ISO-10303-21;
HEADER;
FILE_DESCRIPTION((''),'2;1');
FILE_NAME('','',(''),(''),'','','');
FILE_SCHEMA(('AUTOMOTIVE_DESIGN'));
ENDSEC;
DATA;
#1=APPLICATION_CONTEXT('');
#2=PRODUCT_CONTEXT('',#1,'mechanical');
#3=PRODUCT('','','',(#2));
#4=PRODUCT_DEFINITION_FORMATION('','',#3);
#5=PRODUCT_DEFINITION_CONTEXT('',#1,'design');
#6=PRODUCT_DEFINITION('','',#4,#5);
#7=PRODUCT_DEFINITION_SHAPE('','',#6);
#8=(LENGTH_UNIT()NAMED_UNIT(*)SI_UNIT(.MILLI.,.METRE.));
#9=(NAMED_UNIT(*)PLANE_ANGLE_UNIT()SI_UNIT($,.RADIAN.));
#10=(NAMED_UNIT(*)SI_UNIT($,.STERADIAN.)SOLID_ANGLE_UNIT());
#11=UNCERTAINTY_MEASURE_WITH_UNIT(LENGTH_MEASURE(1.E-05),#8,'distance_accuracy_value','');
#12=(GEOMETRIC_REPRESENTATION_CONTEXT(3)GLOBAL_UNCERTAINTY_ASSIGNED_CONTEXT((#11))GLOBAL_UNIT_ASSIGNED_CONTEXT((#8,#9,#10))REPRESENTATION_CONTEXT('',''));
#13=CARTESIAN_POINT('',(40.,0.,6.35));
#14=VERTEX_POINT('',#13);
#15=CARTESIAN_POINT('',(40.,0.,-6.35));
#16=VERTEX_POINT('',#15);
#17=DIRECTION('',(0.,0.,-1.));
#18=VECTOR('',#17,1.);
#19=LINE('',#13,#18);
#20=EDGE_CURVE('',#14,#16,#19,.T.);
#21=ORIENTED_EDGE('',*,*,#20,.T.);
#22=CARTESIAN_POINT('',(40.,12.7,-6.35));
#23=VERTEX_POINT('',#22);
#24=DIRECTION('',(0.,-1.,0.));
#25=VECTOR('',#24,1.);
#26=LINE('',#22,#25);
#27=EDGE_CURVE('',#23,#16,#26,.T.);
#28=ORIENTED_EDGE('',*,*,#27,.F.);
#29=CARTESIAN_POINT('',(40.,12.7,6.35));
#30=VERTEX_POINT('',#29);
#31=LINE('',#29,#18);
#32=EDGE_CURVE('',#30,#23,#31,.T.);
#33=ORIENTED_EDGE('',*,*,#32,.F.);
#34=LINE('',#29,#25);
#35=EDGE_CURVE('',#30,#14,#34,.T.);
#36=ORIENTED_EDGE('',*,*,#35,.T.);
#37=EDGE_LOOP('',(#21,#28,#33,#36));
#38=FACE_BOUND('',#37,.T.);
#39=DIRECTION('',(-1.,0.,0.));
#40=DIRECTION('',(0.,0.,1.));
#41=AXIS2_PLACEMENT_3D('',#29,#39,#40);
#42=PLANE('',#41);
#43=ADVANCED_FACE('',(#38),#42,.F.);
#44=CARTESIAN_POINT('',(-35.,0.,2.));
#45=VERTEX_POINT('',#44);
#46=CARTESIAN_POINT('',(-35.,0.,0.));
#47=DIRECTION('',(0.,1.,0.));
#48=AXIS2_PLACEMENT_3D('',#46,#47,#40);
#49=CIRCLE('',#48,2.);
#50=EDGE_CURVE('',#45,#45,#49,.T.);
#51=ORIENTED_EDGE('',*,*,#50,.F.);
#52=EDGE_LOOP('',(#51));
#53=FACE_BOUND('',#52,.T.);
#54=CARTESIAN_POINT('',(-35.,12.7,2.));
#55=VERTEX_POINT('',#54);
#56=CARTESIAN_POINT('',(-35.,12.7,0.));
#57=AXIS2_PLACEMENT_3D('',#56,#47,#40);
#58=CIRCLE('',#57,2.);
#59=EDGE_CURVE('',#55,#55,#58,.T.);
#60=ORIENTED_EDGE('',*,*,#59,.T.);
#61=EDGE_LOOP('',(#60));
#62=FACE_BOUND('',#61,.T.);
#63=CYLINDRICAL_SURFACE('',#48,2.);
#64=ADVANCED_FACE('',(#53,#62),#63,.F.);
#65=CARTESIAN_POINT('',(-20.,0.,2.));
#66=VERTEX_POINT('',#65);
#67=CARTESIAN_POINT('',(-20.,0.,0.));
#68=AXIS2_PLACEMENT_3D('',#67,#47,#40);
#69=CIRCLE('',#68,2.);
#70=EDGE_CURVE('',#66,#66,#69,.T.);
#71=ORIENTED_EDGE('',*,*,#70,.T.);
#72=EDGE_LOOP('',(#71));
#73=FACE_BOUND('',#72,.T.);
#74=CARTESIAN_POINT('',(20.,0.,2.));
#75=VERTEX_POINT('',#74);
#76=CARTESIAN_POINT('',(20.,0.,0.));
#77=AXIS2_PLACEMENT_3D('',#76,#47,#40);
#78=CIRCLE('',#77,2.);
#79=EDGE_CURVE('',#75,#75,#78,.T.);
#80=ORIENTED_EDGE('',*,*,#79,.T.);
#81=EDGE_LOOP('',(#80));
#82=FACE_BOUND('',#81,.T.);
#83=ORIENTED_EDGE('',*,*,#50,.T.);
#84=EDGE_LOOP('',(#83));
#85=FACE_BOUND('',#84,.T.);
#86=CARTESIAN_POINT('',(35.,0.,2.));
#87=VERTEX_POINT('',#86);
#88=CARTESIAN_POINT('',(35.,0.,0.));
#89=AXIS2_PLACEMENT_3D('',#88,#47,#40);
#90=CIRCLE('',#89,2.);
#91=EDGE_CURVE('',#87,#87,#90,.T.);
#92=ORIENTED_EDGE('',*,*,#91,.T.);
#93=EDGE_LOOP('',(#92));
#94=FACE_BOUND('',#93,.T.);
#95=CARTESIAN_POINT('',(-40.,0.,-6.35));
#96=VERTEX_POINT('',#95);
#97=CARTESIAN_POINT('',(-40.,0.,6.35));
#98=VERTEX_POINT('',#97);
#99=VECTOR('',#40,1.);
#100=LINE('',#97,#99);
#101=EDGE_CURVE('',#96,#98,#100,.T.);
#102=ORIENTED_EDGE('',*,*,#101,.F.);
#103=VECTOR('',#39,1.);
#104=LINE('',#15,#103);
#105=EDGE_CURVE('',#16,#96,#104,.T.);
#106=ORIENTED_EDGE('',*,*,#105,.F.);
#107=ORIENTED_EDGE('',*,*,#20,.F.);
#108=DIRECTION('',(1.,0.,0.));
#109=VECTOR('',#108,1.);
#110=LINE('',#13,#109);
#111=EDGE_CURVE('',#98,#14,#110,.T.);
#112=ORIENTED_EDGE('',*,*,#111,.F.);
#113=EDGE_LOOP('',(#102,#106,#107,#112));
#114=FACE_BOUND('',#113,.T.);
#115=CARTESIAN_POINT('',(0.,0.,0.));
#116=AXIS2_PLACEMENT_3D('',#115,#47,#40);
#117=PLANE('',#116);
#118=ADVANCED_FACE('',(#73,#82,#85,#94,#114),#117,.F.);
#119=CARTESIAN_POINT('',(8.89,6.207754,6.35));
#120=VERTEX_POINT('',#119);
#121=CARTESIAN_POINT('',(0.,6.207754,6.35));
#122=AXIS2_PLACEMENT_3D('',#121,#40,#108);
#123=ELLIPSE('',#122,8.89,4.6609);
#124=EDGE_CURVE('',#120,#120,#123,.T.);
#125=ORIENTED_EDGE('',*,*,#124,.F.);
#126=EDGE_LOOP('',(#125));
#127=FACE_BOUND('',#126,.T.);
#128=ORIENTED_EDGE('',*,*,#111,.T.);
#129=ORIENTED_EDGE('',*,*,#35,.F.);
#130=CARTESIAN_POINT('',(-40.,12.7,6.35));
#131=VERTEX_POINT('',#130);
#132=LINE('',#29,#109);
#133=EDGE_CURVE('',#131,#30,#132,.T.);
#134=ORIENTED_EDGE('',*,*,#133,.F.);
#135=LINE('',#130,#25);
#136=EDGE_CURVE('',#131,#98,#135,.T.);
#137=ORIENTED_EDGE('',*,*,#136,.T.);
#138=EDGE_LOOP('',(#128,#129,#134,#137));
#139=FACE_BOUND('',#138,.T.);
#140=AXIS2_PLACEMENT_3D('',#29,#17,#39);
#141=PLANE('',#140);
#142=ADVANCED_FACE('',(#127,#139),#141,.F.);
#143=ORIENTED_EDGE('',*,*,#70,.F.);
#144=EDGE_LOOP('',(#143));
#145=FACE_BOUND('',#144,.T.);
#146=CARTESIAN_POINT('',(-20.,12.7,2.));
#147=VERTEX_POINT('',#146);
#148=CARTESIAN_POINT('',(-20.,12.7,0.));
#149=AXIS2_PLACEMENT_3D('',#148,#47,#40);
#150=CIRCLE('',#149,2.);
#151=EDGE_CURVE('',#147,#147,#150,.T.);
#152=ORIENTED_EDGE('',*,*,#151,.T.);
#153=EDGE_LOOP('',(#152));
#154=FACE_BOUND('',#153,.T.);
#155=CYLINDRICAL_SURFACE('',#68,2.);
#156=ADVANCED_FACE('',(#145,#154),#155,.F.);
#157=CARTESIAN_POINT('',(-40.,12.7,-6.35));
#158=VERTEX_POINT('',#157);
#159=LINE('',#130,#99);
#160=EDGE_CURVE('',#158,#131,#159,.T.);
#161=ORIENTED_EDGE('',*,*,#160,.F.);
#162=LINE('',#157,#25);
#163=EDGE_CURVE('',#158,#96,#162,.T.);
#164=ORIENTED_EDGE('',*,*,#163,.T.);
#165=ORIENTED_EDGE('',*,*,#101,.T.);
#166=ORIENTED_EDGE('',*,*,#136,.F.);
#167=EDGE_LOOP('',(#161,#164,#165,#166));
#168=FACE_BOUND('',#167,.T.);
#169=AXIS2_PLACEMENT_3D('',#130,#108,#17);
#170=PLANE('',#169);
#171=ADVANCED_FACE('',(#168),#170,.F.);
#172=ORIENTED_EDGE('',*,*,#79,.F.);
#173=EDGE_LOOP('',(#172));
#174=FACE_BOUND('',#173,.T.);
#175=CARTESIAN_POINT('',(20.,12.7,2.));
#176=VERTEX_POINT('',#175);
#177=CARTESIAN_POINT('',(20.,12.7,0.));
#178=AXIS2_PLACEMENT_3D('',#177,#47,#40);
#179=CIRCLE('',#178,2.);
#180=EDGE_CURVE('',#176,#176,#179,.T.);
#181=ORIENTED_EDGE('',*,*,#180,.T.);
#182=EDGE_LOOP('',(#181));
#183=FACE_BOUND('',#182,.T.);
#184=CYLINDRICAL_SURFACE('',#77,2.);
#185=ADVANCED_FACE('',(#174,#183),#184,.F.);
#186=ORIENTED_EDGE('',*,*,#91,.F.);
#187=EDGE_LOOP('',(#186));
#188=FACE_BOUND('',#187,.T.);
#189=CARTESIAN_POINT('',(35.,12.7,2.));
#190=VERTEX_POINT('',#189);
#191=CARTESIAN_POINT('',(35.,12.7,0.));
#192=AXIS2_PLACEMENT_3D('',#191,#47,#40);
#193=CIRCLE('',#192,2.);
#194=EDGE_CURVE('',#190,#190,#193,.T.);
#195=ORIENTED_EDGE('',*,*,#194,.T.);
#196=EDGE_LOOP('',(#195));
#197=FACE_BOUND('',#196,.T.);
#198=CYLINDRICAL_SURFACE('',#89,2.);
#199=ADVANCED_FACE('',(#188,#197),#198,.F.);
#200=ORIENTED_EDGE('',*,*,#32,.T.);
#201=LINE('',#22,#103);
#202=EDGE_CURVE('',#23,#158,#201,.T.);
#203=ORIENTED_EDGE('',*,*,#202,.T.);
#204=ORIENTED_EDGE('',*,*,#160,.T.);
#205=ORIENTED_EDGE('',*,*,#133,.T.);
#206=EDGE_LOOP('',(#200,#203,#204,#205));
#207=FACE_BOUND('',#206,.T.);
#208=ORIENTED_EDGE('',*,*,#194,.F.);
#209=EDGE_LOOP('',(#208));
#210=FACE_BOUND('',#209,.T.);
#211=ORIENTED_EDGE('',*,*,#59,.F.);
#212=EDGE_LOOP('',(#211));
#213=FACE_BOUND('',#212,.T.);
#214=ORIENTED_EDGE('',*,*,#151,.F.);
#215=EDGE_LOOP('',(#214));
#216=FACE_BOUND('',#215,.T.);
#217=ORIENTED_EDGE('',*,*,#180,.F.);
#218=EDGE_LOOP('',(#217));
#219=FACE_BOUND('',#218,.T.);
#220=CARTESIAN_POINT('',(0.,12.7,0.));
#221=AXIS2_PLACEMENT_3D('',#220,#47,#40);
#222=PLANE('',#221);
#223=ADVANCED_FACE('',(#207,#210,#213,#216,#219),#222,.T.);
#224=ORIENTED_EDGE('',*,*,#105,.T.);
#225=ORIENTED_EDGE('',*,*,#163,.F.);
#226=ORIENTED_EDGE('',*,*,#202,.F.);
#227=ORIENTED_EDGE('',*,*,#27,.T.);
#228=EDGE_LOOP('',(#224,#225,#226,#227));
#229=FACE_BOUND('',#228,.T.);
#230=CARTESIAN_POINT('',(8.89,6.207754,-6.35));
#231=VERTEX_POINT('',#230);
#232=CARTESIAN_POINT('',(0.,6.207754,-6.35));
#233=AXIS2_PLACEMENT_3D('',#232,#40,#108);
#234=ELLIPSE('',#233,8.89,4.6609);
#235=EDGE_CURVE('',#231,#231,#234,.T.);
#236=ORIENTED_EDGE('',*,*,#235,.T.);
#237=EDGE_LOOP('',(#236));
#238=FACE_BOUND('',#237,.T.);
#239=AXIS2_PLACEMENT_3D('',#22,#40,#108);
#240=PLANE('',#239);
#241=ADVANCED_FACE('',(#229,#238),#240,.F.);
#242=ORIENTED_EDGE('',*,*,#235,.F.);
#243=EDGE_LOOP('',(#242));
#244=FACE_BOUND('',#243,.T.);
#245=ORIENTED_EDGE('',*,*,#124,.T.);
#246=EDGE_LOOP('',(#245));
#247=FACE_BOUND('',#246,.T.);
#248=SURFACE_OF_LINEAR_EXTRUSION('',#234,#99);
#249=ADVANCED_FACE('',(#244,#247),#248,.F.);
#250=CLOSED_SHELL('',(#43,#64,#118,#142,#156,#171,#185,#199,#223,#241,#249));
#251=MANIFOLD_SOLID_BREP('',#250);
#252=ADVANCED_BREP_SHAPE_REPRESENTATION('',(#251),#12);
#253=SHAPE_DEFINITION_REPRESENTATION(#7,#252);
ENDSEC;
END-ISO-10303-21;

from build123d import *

# Parameters (mm, degrees)
SKETCH2_W           = 80
SKETCH2_H           = 12.7
BOSS_EXTRUDE1_DEPTH = 12.7
SKETCH3_R           = 2
CUT_EXTRUDE1_DEPTH  = 43.445406112
SKETCH4_RX          = 8.89
SKETCH4_RY          = 4.6609
CUT_EXTRUDE3_DEPTH  = 44.847234804


with BuildPart() as part:
    # Sketch2 → Boss-Extrude1 (new body)
    with BuildSketch(Plane(origin=(0, 0, 0), x_dir=(1, 0, 0), z_dir=(0, 1, 0))):
        Rectangle(SKETCH2_W, SKETCH2_H)
    extrude(amount=BOSS_EXTRUDE1_DEPTH)

    # Sketch3 → Cut-Extrude1 (cut, through all)
    with BuildSketch(Plane(origin=(0, 12.7, 0), x_dir=(1, 0, 0), z_dir=(0, 1, 0))):
        with Locations(Location((-35, 0, 0), (0, 0, 270))):
            Circle(SKETCH3_R)
        with Locations(Location((-20, 0, 0), (0, 0, 270))):
            Circle(SKETCH3_R)
        with Locations(Location((35, 0, 0), (0, 0, 270))):
            Circle(SKETCH3_R)
        with Locations(Location((20, 0, 0), (0, 0, 270))):
            Circle(SKETCH3_R)
    extrude(amount=-CUT_EXTRUDE1_DEPTH, mode=Mode.SUBTRACT)

    # Sketch4 → Cut-Extrude3 (cut, through all)
    with BuildSketch(Plane.XY.offset(6.35)):
        with Locations((0, 6.20775407)):
            Ellipse(SKETCH4_RX, SKETCH4_RY)
    extrude(amount=-CUT_EXTRUDE3_DEPTH, mode=Mode.SUBTRACT)


solid = part.part
